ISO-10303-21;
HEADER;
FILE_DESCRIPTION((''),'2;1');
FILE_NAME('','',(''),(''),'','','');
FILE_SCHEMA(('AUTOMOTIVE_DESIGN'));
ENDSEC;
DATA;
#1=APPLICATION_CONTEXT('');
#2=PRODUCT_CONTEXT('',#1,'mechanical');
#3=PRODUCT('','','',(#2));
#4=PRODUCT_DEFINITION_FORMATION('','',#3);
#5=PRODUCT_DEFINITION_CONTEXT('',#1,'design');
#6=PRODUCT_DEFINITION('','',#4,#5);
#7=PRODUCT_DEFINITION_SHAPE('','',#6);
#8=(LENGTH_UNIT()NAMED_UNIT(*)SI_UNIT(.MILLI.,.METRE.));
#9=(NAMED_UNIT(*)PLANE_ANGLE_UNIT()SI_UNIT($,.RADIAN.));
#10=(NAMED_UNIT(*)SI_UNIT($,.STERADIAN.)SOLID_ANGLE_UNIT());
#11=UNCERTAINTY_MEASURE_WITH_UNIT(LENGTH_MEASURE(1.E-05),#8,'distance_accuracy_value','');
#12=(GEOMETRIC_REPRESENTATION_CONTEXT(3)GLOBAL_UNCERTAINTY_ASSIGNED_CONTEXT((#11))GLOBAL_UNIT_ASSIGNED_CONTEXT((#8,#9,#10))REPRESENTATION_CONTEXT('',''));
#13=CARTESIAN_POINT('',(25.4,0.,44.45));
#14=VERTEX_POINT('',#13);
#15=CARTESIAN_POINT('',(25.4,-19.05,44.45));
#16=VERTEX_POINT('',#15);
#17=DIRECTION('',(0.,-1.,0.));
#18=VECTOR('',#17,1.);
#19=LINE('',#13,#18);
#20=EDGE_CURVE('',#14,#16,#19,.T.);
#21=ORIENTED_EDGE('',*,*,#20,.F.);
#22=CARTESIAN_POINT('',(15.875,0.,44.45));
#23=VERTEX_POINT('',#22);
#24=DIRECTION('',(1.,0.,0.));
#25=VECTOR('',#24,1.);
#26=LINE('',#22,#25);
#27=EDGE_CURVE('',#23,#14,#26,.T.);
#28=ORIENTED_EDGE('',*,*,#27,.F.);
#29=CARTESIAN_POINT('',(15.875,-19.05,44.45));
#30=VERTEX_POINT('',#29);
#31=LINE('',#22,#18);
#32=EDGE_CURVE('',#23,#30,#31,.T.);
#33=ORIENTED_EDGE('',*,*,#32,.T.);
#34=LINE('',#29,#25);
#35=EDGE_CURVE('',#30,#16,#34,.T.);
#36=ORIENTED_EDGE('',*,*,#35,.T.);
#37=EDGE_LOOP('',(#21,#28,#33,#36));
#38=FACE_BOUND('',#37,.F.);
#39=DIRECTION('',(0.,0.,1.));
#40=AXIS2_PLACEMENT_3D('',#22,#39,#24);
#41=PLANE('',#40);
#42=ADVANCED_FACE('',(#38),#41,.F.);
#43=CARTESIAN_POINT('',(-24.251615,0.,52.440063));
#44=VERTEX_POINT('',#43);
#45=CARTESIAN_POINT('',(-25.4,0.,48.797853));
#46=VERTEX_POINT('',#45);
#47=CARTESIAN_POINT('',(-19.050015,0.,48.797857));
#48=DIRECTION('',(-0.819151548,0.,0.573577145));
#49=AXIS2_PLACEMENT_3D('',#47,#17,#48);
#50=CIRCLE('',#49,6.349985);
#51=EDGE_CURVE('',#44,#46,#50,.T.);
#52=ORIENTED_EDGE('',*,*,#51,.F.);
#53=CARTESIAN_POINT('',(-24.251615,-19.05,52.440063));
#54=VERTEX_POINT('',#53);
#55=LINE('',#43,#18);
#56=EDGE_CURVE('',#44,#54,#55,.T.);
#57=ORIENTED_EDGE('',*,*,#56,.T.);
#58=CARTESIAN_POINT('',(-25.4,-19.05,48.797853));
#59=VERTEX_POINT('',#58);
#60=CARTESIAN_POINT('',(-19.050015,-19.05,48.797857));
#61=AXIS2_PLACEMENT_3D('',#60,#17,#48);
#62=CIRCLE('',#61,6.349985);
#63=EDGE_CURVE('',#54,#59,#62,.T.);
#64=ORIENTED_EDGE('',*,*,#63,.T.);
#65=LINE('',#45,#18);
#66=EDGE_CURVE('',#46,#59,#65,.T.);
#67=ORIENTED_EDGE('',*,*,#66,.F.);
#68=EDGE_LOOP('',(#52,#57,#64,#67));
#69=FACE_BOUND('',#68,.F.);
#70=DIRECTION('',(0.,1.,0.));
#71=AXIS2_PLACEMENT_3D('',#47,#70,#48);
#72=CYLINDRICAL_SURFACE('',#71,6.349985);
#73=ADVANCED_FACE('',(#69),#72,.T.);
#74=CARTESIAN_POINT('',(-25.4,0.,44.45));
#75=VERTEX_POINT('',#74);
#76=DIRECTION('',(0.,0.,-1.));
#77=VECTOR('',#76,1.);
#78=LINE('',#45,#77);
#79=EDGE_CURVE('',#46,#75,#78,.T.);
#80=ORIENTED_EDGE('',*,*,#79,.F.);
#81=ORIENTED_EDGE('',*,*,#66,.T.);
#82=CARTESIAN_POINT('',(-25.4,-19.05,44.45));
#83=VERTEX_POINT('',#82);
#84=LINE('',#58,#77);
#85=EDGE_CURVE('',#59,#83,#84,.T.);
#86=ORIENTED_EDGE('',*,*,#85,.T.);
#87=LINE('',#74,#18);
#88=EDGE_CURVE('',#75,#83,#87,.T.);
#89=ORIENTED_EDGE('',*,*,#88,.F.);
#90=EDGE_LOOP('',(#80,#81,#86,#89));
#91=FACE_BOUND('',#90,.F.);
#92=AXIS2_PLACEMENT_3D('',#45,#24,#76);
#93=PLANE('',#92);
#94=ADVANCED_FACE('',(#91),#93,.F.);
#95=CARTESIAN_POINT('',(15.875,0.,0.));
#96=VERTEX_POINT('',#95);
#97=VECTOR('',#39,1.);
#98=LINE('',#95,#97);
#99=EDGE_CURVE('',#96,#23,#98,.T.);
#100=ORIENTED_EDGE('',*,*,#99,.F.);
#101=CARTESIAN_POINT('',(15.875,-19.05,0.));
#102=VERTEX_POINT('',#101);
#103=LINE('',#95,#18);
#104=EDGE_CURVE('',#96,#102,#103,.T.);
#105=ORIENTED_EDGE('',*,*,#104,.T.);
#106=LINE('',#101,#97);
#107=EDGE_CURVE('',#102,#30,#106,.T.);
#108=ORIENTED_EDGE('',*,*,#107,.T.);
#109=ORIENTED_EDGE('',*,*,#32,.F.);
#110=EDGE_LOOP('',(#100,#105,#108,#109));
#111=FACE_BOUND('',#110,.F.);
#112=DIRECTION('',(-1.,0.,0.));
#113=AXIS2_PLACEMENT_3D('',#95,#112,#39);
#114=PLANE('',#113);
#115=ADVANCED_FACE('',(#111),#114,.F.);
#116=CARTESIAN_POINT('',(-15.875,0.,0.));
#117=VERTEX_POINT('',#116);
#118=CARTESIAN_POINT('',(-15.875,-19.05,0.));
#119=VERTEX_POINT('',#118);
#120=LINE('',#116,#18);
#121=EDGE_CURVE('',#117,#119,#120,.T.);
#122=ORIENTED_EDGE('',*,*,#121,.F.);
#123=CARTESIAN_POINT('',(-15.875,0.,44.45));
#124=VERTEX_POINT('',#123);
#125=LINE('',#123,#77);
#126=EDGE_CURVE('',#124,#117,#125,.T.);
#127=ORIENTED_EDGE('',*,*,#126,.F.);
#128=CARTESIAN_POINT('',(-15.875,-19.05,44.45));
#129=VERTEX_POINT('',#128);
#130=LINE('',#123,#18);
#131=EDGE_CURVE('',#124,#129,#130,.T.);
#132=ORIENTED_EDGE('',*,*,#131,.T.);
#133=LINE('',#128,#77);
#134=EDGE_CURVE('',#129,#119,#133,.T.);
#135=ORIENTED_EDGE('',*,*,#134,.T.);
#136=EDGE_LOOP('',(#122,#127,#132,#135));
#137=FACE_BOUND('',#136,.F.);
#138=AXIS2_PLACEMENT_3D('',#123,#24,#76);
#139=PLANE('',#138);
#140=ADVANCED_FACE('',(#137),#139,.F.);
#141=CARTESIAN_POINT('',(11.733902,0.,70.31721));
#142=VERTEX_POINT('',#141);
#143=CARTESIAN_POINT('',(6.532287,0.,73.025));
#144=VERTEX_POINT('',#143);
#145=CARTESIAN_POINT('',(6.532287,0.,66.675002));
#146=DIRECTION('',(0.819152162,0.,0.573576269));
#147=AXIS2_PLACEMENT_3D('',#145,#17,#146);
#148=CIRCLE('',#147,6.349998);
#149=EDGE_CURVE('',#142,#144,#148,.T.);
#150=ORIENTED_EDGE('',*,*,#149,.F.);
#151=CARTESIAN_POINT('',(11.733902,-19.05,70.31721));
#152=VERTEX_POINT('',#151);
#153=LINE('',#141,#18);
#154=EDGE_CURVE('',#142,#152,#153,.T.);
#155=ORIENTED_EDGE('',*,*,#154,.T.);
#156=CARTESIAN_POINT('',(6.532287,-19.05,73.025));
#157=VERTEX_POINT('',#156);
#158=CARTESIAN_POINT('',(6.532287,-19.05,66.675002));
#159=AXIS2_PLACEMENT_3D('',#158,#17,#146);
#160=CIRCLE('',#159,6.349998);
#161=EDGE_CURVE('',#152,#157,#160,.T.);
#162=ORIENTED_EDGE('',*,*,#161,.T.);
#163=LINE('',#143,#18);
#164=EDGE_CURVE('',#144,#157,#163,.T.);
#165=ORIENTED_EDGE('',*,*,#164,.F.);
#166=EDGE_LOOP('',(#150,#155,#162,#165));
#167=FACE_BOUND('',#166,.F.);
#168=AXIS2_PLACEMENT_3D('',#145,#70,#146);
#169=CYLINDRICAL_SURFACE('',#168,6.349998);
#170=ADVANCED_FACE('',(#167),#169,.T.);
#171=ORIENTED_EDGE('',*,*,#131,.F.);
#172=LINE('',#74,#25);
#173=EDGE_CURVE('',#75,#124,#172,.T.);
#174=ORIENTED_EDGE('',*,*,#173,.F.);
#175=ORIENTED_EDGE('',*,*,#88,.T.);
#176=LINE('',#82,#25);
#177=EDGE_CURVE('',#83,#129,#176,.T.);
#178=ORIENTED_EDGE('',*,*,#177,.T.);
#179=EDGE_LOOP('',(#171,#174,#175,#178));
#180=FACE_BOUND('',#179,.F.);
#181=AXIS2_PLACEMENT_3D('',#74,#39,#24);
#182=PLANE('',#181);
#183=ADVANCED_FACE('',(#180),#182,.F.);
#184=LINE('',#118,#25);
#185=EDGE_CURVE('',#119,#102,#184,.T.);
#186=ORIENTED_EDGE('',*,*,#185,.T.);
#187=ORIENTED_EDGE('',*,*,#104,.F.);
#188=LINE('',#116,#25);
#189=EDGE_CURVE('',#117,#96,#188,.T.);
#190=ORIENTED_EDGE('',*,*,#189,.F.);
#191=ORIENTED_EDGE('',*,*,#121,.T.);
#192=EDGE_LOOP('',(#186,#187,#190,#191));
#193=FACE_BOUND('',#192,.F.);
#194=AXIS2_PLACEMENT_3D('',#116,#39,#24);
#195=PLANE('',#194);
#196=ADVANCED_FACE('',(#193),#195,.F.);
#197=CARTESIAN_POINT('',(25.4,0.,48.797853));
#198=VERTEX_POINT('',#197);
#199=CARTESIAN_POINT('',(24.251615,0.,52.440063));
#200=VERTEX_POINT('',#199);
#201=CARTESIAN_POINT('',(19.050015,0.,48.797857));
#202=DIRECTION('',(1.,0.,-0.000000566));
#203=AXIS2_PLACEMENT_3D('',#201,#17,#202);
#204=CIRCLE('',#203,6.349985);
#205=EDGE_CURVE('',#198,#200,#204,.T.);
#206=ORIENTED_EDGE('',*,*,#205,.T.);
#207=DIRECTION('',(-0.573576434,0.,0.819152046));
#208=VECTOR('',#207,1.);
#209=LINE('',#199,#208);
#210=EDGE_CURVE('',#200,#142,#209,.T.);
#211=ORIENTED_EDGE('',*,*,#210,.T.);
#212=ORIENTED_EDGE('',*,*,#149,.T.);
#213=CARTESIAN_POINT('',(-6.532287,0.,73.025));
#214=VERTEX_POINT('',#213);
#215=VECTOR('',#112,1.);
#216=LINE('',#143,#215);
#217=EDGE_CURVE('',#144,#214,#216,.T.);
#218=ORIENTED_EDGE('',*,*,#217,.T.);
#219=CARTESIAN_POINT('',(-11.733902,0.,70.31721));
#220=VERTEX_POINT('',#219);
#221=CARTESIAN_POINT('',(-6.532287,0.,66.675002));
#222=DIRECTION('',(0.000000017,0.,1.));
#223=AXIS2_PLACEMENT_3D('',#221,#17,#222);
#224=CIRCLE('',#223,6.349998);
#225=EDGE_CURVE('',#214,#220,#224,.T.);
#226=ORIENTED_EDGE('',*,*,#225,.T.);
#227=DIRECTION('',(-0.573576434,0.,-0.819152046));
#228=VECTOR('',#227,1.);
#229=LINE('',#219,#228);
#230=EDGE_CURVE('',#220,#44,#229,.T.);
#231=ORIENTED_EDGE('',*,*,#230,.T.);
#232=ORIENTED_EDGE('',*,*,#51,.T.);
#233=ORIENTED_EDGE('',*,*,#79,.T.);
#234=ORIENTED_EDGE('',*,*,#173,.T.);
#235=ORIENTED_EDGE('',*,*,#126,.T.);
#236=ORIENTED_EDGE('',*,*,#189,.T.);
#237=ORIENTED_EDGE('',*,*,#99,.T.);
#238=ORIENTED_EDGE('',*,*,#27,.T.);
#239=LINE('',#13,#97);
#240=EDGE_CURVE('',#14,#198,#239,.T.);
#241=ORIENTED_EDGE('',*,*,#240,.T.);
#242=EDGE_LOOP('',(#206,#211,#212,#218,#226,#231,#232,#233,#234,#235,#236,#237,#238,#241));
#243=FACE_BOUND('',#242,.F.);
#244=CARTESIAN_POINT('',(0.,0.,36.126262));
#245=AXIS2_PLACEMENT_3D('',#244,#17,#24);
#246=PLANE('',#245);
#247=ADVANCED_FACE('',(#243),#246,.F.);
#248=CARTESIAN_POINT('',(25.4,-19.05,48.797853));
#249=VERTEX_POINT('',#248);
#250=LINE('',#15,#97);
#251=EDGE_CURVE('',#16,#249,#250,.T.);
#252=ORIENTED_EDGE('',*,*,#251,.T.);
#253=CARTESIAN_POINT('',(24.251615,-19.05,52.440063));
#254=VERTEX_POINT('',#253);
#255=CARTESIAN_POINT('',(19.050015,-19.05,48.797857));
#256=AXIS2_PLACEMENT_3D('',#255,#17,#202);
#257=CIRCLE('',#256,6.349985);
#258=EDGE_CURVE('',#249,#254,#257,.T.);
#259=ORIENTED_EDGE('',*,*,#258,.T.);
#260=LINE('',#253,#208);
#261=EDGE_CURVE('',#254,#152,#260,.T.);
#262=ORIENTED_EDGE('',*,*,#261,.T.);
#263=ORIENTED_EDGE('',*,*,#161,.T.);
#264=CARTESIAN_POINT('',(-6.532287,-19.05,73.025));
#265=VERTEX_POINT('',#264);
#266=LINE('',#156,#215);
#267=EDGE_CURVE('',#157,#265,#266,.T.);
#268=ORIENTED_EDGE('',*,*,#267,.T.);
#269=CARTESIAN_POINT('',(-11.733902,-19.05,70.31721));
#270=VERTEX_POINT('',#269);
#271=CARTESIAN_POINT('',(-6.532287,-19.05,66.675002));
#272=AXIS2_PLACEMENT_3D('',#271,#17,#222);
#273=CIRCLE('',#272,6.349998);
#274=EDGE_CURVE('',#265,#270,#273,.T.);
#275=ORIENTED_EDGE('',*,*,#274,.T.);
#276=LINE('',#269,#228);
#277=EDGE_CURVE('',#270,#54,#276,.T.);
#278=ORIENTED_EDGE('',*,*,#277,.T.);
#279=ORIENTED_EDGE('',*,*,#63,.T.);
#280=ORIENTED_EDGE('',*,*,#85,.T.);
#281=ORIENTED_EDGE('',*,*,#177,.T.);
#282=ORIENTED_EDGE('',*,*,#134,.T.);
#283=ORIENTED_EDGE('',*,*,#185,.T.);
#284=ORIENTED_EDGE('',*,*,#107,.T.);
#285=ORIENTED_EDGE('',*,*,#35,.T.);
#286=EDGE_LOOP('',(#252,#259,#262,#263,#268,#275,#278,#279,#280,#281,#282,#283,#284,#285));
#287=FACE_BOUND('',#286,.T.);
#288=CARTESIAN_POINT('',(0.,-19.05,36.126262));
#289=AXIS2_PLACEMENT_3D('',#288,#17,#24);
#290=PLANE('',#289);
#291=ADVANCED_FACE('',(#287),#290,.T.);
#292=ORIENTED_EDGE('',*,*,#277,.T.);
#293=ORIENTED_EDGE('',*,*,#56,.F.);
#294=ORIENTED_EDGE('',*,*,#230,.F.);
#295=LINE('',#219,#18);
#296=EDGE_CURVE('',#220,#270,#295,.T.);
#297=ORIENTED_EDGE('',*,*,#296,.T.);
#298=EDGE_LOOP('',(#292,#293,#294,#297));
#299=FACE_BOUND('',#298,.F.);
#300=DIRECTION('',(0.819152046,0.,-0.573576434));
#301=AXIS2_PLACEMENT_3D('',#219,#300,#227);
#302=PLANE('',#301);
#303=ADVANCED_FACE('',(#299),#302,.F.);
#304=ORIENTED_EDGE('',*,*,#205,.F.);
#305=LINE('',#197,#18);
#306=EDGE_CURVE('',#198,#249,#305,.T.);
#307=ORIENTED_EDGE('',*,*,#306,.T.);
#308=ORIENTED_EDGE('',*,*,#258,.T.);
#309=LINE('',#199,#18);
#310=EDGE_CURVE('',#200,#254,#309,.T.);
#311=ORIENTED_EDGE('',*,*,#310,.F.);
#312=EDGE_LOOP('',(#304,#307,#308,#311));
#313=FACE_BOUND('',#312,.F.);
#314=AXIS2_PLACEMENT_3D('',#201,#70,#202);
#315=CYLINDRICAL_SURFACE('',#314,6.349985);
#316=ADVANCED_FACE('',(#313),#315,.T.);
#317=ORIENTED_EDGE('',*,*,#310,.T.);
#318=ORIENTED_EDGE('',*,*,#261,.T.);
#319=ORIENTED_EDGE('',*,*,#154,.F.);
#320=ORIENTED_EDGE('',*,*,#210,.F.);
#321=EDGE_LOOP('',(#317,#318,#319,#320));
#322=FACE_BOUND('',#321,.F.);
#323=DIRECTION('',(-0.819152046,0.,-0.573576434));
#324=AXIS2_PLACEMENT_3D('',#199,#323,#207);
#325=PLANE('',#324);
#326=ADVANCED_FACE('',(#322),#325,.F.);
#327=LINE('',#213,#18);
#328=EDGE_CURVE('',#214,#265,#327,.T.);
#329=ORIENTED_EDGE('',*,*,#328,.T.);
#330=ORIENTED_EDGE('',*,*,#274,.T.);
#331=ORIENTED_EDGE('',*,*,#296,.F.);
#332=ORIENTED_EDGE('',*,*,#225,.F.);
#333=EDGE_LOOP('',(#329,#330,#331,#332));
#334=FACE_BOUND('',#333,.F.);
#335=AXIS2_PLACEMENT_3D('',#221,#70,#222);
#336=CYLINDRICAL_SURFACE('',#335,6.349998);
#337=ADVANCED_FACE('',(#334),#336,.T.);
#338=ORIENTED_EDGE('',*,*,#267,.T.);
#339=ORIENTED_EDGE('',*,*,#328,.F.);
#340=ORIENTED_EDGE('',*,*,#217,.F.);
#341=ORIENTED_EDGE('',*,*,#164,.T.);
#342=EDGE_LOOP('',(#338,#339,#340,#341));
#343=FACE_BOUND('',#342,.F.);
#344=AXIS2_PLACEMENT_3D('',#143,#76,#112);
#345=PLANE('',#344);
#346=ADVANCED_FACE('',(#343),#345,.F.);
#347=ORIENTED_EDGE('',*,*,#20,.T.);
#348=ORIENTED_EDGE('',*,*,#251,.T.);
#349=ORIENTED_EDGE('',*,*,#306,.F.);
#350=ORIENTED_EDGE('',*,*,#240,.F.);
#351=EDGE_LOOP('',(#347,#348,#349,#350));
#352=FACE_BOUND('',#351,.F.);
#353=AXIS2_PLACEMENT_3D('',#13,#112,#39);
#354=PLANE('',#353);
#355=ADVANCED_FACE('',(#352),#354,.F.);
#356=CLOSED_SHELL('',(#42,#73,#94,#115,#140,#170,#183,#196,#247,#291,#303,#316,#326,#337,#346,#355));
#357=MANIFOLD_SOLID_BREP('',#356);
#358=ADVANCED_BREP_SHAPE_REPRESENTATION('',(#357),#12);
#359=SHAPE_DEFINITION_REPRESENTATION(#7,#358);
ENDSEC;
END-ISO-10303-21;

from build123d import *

# Parameters (mm, degrees)
F1_DEPTH = 19.05


with BuildPart() as f1:
    # F0 (on Front) → F1 (new body)
    with BuildSketch(Plane.XZ):
        with BuildLine():
            Line((-15.875, 0), (0, 0))
            Line((0, 0), (15.875, 0))
            Line((15.875, 0), (15.875, 44.45))
            Line((15.875, 44.45), (25.4, 44.45))
            Line((25.4, 44.45), (25.4, 48.797853))
            ThreePointArc((25.4, 48.797853), (25.106103, 50.707335), (24.251615, 52.440063))
            Line((24.251615, 52.440063), (11.733902, 70.31721))
            ThreePointArc((11.733902, 70.31721), (9.46439, 72.307519), (6.532287, 73.025))
            Line((6.532287, 73.025), (0, 73.025))
            Line((0, 73.025), (-6.532287, 73.025))
            ThreePointArc((-6.532287, 73.025), (-9.46439, 72.307519), (-11.733902, 70.31721))
            Line((-11.733902, 70.31721), (-24.251615, 52.440063))
            ThreePointArc((-24.251615, 52.440063), (-25.106103, 50.707335), (-25.4, 48.797853))
            Line((-25.4, 48.797853), (-25.4, 44.45))
            Line((-25.4, 44.45), (-15.875, 44.45))
            Line((-15.875, 44.45), (-15.875, 0))
        make_face()
    extrude(amount=F1_DEPTH)


solid = f1.part
